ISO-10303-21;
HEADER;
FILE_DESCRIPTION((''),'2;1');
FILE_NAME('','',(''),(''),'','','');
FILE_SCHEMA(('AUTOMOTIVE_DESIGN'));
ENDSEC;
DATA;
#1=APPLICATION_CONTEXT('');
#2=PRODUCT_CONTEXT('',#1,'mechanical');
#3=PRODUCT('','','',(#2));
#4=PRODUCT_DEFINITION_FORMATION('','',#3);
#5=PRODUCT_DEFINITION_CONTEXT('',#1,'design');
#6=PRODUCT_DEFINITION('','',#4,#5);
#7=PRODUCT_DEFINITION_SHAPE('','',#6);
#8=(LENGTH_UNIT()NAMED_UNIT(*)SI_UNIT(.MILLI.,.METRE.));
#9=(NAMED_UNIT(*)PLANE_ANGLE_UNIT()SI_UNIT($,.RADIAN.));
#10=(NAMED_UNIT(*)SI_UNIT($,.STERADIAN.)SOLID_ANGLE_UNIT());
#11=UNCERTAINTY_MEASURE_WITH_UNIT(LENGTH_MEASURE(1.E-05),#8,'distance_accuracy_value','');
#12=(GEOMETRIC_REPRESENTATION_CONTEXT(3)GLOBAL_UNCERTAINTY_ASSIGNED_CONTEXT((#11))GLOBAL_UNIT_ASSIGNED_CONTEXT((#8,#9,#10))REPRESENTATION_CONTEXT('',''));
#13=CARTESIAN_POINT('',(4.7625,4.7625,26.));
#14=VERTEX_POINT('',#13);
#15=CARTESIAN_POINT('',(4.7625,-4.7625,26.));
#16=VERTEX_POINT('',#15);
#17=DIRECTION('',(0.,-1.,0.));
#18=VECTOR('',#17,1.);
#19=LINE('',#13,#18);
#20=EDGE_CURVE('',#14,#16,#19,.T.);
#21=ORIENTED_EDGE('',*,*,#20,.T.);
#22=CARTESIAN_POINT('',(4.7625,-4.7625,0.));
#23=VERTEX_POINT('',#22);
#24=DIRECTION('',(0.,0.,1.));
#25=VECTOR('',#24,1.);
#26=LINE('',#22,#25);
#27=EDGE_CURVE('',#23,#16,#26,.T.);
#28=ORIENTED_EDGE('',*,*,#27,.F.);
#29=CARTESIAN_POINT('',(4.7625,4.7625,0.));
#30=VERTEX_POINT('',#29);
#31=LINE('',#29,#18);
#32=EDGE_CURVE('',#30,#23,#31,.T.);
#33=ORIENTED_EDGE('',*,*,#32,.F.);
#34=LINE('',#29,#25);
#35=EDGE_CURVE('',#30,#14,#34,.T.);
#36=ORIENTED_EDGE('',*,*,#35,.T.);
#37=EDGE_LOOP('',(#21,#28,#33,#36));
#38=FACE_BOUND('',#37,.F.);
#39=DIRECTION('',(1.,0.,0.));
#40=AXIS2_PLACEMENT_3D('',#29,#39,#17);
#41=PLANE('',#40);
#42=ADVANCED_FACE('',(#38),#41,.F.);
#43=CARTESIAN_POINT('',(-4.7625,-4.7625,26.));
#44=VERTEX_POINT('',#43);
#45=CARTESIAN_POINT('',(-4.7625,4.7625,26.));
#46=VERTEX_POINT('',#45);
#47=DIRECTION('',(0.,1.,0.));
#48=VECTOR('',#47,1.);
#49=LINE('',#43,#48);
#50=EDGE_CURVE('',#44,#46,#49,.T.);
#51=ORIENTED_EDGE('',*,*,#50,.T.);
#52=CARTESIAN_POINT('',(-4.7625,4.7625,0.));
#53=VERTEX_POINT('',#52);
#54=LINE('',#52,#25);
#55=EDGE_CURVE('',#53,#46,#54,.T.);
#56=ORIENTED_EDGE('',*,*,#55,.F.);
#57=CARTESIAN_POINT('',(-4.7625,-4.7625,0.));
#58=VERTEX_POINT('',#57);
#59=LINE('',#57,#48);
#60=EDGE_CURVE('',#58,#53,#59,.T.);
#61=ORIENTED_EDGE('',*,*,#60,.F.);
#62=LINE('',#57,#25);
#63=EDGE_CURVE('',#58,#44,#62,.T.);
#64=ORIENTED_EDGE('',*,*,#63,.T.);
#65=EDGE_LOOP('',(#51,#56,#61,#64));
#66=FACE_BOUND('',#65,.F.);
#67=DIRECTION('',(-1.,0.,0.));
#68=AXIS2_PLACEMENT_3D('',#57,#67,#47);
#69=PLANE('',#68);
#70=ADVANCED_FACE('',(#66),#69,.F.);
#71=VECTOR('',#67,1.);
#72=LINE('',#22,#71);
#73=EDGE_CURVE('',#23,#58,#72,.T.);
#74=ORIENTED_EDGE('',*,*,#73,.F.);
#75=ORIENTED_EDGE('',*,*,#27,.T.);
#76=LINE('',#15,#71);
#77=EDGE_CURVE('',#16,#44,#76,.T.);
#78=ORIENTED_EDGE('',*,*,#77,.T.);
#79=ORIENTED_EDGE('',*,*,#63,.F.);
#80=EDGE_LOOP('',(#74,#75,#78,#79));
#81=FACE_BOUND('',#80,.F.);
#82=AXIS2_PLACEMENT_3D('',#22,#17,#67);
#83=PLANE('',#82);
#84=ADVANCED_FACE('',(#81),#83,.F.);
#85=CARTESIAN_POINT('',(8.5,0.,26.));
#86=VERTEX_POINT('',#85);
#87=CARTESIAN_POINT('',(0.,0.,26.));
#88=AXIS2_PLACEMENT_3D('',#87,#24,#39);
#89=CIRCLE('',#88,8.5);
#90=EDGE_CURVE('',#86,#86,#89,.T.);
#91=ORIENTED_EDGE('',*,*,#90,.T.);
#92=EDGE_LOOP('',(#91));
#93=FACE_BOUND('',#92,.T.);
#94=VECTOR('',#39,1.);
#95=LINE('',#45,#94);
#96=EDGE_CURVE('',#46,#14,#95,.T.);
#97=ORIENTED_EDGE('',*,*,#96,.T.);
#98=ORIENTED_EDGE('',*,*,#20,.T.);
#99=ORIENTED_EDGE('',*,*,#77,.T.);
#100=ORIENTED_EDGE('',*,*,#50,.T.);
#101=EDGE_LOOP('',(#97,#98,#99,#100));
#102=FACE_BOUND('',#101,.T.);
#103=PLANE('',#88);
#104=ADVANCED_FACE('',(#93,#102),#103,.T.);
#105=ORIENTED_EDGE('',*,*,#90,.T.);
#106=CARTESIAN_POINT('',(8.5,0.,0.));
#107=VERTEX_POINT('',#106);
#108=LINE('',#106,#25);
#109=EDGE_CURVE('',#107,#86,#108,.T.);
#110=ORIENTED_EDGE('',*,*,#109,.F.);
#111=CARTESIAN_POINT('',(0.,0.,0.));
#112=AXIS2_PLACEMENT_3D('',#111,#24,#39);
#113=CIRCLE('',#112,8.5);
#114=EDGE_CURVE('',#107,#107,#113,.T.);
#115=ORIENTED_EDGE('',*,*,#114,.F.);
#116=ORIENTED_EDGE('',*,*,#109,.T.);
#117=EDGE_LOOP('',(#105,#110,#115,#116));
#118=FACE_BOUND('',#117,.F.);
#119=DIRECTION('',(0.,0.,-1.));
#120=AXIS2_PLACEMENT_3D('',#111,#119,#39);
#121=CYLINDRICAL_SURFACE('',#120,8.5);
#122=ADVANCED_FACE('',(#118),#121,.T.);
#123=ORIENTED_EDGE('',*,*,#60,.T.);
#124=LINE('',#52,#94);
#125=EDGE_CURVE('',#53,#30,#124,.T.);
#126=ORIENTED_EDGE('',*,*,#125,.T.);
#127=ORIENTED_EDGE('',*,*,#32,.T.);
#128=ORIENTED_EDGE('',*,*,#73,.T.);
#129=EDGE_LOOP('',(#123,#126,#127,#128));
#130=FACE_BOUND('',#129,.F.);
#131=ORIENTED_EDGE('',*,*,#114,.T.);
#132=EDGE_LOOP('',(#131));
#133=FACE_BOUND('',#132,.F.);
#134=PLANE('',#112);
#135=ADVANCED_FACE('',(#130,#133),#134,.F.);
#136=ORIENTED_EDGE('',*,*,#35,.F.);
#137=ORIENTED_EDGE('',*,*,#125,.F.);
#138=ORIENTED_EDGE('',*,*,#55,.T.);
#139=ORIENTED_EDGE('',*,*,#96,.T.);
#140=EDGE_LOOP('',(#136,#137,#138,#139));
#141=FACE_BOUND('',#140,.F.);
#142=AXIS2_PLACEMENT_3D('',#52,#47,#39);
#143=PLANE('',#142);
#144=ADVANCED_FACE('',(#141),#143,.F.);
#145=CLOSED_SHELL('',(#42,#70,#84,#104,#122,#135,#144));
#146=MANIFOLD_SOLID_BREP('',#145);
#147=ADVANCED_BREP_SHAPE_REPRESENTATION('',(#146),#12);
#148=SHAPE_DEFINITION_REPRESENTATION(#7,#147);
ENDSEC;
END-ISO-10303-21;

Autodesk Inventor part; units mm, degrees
ref_plane "YZ Plane" through (0, 0, 0) normal (1, 0, 0) x (0, 1, 0)
ref_plane "XZ Plane" through (0, 0, 0) normal (0, 1, 0) x (-1, 0, 0)
ref_plane "Work Plane1" through (0, 0, 0) normal (0, 0, 1) x (1, 0, 0)
sketch "Sketch1" plane through (0, 0, 0) normal (0, 0, 1) x (1, 0, 0)
  line L0 (-4.7625, -4.7625) -> (-4.7625, 4.7625) projected
  line L1 (-4.7625, 4.7625) -> (4.7625, 4.7625) projected
  line L2 (4.7625, 4.7625) -> (4.7625, -4.7625) projected
  line L3 (4.7625, -4.7625) -> (-4.7625, -4.7625) projected
  circle A0 centre (0, 0) radius 8.5 projected
  point P0 (0, 0)
ref_plane "Work Plane2" through (-15.6082, -15.6082, 26) normal (0, 0, -1) x (0, 1, 0)
extrude "Extrusion1" add sketch "Sketch1" along normal up to surface (26 mm away)
properties part number "gear spacer 1"
